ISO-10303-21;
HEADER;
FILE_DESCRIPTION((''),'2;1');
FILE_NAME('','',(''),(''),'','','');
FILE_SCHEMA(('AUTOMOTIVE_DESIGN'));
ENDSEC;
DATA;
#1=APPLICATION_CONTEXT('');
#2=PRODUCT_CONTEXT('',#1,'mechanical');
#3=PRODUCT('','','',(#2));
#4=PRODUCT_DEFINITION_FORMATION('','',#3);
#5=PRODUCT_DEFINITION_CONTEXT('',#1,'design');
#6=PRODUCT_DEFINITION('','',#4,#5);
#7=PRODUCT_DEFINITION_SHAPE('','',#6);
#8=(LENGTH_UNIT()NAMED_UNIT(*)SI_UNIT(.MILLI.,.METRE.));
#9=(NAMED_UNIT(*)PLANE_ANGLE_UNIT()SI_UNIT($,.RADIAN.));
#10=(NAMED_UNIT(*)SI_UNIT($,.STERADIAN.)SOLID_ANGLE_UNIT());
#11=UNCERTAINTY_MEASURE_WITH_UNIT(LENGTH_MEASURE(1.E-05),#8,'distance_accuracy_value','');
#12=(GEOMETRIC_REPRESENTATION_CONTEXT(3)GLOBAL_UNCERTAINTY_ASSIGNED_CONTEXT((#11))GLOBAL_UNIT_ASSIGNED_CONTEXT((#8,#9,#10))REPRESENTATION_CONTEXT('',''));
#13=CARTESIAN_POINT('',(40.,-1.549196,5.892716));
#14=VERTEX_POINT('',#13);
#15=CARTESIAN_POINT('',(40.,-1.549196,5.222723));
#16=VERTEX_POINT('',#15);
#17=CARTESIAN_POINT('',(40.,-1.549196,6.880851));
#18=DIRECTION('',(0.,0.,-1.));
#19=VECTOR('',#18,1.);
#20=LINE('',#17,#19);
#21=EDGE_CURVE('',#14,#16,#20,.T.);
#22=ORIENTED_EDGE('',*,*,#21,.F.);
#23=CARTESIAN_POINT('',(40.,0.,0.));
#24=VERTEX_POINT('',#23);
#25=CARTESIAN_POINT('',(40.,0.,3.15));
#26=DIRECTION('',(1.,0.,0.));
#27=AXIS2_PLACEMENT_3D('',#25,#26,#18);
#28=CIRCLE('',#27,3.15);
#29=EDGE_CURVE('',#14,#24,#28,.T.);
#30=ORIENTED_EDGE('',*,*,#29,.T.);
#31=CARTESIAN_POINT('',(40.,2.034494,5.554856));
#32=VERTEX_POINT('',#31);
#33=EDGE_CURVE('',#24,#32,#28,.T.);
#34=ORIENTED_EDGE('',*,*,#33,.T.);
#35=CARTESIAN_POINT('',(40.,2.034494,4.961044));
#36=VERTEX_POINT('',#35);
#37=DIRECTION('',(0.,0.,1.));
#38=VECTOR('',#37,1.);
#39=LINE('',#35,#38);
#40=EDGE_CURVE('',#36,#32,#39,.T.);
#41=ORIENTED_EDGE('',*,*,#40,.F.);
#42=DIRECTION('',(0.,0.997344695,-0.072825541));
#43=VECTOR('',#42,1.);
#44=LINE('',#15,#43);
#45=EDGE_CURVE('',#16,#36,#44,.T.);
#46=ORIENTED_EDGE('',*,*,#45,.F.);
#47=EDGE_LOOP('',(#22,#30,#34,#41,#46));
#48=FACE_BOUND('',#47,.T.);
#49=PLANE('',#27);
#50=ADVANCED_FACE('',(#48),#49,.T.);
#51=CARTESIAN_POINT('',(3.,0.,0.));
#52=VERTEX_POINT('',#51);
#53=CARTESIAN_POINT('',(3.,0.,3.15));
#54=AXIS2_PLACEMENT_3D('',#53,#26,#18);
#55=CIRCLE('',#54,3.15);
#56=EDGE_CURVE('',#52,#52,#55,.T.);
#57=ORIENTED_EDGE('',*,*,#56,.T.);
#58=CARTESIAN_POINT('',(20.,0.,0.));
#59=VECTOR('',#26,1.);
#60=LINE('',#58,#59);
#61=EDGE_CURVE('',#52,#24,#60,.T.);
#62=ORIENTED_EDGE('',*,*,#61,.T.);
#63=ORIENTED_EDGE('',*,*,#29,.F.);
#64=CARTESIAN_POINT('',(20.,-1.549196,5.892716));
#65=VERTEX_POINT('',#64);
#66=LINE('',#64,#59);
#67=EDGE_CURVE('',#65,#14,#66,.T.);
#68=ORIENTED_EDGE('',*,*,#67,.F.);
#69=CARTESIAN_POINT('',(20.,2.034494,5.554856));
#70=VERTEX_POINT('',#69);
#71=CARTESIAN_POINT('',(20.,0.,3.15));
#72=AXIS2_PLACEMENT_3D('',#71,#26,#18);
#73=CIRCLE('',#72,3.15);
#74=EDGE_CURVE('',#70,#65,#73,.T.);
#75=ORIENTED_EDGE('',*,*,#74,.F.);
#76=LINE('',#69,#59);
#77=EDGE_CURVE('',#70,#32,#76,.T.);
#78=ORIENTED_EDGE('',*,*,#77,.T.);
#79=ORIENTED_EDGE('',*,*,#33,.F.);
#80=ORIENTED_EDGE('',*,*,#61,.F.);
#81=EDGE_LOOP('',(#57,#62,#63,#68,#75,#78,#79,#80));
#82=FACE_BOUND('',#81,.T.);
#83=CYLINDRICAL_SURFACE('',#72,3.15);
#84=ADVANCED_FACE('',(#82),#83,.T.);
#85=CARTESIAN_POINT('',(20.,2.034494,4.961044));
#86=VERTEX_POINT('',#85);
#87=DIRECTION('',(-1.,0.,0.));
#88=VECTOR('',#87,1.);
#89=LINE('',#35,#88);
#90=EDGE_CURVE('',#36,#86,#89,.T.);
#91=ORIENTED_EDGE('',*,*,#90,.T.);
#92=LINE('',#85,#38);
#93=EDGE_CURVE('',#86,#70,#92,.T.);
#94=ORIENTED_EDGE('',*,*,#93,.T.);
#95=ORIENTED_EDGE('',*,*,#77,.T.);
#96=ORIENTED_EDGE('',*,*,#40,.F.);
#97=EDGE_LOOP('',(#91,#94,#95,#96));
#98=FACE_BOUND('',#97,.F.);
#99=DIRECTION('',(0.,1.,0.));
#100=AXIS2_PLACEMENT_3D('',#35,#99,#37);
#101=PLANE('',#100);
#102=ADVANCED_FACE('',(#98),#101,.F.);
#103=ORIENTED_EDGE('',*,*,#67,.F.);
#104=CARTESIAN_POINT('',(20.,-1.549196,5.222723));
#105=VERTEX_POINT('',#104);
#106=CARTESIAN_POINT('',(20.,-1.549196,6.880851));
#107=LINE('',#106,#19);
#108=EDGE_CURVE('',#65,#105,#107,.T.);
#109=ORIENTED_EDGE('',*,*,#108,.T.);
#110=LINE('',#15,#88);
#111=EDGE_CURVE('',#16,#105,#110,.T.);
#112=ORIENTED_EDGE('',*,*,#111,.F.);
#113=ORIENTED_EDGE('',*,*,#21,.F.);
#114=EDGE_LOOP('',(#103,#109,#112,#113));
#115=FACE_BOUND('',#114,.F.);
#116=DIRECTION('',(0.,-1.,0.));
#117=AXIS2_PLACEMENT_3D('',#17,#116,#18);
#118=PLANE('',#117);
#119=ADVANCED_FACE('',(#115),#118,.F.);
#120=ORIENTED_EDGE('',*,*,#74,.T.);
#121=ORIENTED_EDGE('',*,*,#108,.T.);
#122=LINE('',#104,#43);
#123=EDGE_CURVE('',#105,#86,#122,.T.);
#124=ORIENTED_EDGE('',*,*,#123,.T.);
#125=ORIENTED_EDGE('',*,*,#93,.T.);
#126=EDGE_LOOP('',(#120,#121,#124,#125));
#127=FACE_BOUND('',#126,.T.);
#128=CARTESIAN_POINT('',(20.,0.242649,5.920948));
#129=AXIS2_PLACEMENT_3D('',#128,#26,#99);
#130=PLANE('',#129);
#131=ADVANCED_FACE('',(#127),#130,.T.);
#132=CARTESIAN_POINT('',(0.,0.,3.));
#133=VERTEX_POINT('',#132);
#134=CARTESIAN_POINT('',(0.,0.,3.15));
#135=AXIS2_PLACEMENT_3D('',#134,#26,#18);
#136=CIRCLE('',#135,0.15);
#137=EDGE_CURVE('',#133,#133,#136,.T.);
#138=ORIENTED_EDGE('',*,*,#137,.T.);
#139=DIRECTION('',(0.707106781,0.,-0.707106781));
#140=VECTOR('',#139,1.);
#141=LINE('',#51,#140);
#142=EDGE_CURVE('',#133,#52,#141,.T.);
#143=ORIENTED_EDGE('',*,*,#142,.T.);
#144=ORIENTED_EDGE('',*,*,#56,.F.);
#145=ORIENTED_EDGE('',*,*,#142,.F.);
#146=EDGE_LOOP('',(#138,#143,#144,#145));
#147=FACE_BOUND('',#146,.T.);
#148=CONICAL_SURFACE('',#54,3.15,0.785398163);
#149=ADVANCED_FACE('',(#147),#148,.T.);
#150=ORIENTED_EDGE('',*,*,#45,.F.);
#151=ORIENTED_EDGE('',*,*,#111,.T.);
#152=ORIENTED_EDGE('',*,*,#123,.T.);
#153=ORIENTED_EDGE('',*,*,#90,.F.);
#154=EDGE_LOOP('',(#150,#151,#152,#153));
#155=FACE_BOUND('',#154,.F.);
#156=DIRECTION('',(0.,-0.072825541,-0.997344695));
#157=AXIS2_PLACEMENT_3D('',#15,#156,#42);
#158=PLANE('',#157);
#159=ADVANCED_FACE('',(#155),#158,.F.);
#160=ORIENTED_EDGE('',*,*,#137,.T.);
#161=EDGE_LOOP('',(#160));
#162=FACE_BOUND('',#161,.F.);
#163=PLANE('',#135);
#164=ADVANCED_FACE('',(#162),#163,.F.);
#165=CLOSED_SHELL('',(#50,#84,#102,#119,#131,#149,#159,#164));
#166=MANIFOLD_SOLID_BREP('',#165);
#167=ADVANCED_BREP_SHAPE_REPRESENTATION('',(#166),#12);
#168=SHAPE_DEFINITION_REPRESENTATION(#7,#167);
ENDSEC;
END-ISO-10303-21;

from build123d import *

# Parameters (mm, degrees)
F0_W     = 40
F0_H     = 3.15
F2_SIZE  = 3
F4_DEPTH = 20


with BuildPart() as f1:
    # F0 (on Front) → F1 (revolve)
    with BuildSketch(Plane.XZ):
        with Locations((20, 1.575)):
            Rectangle(F0_W, F0_H)
    revolve(axis=Axis((20, 0, 3.15), (1, 0, 0)))

    # F2
    f2_edges = [f1.edges().sort_by_distance(p)[0] for p in [
        (0, 0, 6.3),
    ]]
    chamfer(f2_edges, length=F2_SIZE)

    # F3 (on face) → F4 (cut)
    with BuildSketch(Plane.YZ.offset(40)):
        Polygon((2.034494, 6.619173), (-1.549196, 6.880851), (-1.549196, 5.222723), (2.034494, 4.961044), align=None)
    extrude(amount=-F4_DEPTH, mode=Mode.SUBTRACT)


solid = f1.part
